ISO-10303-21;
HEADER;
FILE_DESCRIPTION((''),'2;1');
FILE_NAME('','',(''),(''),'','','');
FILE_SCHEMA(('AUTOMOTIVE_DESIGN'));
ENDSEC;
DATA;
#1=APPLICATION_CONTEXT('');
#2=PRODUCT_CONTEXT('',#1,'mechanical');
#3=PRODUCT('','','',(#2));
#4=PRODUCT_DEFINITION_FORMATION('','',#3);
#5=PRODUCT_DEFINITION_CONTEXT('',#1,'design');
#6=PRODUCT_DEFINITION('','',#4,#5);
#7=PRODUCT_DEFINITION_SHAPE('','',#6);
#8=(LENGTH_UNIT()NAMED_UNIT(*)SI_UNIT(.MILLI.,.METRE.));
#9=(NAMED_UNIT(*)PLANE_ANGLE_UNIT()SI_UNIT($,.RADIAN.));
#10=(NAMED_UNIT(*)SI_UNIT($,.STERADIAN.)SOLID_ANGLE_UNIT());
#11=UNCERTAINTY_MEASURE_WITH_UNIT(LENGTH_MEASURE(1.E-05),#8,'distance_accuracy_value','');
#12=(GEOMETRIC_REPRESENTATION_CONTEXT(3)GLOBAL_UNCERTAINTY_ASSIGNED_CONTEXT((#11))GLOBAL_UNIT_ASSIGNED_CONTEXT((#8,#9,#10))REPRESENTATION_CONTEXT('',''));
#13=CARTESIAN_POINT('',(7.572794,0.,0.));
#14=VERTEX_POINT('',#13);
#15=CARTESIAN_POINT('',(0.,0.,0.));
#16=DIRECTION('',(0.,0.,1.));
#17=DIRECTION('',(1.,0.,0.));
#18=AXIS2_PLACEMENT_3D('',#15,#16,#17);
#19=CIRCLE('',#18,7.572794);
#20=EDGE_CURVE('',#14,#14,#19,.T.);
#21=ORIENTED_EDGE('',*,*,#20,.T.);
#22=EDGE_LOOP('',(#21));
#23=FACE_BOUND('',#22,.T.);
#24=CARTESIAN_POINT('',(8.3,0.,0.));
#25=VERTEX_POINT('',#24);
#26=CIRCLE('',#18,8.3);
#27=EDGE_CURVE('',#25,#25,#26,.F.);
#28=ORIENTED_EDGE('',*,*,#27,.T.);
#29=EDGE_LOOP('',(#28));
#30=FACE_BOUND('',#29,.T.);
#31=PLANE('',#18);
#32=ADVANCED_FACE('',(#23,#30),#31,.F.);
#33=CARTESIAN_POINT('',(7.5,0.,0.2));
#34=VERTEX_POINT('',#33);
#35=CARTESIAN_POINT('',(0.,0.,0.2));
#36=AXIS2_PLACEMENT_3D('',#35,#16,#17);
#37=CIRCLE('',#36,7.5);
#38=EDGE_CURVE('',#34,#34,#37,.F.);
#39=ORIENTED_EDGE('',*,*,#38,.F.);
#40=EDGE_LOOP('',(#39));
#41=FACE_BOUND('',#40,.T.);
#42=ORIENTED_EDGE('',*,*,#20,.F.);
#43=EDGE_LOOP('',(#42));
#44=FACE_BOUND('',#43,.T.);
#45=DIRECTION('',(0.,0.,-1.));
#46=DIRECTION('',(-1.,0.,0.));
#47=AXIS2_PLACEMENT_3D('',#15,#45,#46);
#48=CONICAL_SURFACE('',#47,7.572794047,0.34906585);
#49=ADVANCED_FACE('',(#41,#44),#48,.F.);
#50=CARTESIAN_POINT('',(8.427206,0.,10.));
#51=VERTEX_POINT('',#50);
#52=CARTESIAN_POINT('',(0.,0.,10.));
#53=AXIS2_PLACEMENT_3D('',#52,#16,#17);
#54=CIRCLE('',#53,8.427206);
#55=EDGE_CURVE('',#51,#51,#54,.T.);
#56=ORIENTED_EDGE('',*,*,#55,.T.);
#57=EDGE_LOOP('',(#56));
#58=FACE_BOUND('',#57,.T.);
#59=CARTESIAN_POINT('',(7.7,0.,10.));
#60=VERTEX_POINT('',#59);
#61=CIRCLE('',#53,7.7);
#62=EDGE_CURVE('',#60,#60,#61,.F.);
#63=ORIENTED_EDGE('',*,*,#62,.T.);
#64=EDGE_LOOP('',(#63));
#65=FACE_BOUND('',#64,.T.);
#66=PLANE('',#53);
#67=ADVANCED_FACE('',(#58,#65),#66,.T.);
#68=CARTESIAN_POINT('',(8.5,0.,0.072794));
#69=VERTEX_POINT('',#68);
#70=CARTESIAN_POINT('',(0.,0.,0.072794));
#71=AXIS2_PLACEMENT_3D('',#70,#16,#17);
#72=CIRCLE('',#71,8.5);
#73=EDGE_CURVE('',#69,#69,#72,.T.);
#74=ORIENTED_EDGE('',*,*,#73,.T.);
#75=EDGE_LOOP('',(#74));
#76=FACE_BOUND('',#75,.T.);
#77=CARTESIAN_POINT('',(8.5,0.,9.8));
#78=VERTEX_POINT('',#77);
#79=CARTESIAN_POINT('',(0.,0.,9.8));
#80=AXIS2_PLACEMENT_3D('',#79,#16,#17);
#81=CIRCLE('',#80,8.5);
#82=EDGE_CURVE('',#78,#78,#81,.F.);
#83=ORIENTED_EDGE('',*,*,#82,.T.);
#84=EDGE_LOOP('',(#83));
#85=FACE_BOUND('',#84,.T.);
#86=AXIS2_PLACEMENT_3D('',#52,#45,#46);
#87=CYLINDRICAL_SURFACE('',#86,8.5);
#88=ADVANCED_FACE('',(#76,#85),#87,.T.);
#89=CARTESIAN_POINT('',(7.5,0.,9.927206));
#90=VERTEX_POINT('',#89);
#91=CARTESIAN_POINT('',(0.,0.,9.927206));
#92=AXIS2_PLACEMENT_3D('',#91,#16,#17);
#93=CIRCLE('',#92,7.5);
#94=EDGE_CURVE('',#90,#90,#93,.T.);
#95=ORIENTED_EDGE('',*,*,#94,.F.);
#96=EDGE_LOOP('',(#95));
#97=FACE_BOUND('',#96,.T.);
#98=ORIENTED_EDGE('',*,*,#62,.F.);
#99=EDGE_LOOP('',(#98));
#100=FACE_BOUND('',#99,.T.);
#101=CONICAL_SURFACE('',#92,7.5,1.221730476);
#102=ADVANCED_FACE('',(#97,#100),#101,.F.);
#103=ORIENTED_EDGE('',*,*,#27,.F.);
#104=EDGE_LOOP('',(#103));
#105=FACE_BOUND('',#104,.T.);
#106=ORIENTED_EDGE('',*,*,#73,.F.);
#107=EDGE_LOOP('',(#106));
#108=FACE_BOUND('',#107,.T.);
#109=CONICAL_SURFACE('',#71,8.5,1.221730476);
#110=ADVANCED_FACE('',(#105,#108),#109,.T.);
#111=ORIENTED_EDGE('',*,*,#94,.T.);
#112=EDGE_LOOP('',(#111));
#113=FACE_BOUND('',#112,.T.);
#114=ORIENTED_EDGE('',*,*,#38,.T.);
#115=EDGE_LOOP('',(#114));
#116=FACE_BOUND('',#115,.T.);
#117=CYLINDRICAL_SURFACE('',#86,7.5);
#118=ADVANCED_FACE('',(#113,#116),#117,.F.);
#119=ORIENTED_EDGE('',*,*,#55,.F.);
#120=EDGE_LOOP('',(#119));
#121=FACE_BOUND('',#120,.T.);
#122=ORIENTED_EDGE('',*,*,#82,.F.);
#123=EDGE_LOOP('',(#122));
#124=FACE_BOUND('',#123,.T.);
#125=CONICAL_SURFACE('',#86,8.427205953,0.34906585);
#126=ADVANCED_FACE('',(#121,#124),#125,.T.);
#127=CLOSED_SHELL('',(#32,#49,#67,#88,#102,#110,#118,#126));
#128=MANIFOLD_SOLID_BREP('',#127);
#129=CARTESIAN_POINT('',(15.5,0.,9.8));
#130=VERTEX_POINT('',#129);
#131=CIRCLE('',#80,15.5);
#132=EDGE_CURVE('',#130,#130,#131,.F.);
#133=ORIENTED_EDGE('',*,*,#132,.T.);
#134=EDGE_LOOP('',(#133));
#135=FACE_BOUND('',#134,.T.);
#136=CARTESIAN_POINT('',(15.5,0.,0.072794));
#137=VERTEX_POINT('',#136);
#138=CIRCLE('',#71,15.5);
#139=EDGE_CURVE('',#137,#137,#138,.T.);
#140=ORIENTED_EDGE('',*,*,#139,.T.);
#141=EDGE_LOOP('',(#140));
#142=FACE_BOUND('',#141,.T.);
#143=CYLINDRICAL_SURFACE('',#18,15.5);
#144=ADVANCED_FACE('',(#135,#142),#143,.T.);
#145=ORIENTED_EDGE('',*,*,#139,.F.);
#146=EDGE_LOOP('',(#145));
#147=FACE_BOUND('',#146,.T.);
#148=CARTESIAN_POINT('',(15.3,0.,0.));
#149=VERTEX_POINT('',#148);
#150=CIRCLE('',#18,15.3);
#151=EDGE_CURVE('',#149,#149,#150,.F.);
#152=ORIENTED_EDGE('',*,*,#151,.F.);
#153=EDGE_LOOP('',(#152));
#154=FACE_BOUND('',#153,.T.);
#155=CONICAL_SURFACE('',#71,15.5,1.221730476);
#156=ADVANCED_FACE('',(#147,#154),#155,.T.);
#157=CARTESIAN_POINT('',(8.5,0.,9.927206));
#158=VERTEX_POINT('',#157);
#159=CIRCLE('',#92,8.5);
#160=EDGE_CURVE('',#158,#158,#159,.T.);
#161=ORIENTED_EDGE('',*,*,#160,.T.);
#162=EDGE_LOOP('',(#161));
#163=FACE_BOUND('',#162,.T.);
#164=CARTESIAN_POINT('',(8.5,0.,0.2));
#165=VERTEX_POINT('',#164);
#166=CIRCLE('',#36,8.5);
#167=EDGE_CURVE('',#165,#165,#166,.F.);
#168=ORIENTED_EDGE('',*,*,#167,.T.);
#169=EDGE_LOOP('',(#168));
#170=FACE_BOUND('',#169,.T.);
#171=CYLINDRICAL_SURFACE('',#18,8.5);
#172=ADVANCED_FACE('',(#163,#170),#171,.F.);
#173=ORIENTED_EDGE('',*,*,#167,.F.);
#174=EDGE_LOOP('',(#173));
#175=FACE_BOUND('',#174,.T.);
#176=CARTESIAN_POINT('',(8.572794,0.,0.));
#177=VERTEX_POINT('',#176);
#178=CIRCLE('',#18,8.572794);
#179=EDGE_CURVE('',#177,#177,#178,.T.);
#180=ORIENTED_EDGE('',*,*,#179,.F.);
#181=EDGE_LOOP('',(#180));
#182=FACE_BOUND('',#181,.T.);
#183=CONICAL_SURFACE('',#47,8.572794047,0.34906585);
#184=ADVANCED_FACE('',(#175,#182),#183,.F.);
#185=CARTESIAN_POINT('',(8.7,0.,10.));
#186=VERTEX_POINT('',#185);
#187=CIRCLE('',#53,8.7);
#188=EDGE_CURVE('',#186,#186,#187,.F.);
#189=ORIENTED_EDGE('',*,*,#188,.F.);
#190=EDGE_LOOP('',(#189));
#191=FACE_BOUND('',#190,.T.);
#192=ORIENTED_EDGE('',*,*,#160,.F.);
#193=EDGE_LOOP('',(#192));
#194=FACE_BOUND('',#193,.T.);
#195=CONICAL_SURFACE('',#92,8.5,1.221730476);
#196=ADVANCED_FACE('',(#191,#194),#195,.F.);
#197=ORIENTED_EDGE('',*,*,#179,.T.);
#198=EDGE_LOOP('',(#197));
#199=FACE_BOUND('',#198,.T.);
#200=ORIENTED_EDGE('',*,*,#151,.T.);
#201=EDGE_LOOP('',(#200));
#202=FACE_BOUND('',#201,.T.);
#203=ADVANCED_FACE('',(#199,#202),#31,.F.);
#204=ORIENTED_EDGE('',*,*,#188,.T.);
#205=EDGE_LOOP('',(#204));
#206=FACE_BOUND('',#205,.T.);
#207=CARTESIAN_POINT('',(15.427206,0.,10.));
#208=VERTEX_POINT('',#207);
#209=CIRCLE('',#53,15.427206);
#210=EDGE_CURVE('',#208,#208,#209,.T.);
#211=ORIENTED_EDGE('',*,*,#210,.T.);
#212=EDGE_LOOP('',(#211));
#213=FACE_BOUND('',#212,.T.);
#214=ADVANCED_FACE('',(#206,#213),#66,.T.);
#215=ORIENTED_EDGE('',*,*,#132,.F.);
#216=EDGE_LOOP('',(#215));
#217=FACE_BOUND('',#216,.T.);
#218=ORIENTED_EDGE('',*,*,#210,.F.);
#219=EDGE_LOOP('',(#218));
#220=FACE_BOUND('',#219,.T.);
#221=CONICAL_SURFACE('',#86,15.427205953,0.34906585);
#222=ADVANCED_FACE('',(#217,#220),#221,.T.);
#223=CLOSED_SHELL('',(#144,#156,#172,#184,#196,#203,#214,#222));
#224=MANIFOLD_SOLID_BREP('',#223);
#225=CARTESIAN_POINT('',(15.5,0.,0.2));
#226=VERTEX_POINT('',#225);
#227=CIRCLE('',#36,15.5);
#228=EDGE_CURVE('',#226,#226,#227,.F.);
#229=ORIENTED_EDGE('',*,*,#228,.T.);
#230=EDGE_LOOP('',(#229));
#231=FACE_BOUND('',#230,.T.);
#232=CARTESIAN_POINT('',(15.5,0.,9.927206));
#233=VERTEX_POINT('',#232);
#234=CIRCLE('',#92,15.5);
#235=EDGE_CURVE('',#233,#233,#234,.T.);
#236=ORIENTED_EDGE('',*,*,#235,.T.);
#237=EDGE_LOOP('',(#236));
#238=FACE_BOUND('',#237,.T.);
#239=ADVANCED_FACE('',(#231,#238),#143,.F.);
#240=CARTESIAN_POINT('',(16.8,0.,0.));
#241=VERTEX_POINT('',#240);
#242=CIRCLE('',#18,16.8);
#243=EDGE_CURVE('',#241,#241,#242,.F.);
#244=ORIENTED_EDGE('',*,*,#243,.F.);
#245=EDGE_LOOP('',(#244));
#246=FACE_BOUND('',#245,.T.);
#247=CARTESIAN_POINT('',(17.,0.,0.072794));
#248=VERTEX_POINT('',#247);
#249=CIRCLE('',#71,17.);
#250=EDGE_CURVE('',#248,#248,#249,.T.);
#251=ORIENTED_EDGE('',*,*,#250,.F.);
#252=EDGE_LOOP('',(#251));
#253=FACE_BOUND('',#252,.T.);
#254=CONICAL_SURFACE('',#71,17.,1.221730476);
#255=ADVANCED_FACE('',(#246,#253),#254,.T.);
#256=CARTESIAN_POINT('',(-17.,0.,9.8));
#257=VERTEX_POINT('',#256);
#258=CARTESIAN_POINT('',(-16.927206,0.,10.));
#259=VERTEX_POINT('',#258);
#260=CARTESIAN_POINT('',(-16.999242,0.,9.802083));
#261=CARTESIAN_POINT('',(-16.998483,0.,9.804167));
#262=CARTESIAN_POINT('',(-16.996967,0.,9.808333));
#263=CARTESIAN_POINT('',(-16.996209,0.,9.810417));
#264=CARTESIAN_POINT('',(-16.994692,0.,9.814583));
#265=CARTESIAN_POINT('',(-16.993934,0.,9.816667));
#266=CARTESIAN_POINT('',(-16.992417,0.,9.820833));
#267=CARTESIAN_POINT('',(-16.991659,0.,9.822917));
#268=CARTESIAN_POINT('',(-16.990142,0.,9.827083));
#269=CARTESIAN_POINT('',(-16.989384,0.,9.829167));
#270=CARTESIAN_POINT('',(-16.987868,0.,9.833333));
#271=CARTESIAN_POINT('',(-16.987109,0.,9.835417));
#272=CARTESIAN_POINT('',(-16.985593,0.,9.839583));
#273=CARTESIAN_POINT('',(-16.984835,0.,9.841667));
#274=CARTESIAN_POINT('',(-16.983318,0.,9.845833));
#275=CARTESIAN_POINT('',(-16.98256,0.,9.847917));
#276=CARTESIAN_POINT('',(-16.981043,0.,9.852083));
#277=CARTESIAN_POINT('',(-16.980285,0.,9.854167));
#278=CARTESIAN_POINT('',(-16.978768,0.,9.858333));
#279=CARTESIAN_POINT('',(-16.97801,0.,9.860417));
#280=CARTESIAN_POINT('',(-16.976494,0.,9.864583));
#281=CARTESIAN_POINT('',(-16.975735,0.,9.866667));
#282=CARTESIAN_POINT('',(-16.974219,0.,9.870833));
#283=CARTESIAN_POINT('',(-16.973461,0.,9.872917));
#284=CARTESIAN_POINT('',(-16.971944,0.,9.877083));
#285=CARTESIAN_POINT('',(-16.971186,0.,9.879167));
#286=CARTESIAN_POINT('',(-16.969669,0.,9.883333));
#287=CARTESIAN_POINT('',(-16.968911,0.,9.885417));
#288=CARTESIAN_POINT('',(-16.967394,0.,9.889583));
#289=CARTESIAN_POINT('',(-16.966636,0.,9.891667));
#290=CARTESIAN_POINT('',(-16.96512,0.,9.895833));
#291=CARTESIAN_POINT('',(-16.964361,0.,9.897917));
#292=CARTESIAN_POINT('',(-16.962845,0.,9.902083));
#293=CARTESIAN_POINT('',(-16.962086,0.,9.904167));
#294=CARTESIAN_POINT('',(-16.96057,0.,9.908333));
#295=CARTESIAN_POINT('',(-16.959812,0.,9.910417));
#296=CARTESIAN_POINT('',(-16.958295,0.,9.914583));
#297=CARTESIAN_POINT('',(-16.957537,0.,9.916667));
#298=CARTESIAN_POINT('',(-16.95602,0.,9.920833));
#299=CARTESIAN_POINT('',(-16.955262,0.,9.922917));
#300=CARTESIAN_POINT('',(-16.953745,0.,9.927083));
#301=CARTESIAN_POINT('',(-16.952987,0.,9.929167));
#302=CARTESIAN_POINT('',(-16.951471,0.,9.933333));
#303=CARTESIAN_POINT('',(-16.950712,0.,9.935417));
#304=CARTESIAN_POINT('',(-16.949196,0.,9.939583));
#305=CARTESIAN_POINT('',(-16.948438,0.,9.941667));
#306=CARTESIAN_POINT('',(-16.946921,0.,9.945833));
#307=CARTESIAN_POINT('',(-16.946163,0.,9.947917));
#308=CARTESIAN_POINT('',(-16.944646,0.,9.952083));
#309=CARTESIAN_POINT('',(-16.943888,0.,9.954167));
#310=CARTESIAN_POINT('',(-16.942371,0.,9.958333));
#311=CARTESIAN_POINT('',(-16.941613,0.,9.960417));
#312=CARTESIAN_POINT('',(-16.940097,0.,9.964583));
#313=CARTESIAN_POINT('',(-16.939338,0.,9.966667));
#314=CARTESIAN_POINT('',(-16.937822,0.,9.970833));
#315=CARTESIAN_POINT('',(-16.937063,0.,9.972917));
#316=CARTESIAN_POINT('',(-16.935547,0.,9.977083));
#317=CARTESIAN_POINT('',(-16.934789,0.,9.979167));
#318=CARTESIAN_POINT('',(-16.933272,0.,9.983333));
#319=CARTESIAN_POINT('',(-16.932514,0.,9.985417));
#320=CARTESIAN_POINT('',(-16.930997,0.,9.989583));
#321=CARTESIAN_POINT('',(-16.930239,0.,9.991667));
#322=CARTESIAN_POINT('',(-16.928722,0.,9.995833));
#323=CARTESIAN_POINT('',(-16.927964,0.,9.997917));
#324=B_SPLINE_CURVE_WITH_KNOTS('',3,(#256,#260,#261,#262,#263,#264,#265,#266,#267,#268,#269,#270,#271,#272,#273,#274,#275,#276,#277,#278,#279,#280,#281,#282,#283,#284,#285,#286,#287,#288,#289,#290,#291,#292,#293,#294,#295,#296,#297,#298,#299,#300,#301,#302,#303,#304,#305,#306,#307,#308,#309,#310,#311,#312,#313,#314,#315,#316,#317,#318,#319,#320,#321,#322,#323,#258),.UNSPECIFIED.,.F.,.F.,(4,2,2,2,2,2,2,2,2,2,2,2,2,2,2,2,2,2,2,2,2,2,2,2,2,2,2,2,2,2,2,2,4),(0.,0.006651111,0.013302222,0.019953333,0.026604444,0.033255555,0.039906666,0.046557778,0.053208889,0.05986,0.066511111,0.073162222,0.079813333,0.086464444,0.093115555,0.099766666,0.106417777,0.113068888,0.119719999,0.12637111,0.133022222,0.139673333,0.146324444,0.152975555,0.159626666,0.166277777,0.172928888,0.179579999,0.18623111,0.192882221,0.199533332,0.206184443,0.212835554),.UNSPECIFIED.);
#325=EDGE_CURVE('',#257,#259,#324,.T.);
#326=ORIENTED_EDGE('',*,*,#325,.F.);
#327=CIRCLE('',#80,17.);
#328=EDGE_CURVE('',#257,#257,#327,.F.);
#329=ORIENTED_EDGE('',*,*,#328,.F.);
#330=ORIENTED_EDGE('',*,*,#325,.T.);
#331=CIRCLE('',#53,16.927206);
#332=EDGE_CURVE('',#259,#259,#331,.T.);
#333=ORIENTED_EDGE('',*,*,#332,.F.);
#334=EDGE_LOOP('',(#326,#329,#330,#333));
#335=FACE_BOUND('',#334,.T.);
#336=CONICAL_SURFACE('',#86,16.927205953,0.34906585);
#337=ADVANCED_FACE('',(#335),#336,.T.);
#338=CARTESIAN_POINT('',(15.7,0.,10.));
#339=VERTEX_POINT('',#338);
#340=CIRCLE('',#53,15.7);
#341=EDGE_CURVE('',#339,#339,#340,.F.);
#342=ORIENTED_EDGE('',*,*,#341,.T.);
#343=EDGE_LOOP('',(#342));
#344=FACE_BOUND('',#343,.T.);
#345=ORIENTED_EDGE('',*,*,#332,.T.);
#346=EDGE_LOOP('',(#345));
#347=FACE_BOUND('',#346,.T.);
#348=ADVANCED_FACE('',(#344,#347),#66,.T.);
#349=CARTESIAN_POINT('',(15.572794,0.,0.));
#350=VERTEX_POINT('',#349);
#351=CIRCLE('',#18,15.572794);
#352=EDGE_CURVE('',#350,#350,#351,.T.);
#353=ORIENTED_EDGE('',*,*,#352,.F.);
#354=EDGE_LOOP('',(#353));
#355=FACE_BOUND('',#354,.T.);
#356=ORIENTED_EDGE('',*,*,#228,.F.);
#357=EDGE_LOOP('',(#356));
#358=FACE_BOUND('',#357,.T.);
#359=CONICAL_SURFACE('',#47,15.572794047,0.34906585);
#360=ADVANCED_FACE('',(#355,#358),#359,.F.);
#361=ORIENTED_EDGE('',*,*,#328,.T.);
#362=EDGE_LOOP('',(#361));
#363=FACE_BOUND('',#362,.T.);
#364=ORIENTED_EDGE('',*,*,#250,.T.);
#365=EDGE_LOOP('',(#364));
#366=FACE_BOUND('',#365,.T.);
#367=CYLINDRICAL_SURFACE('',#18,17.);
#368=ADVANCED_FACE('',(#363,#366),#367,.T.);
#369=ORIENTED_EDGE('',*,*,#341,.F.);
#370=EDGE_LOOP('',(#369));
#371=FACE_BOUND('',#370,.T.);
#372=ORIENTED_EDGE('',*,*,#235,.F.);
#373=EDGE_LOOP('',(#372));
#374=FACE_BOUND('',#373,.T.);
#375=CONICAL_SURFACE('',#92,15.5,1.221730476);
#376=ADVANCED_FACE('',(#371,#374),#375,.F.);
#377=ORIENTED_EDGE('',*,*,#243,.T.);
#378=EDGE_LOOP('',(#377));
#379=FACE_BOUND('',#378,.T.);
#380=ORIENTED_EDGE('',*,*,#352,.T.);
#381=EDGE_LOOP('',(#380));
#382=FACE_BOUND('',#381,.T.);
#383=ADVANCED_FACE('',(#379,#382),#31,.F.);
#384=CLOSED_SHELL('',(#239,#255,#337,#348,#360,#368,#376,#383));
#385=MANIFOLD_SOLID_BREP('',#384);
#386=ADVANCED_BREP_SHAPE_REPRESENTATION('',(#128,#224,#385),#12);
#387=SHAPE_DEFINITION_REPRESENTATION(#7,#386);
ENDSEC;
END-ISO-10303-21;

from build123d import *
from OCP.BRepFilletAPI import BRepFilletAPI_MakeChamfer

# Parameters (mm, degrees)
SKETCH1_R           = 8.5
SKETCH1_R_2         = 7.5
BOSS_EXTRUDE1_DEPTH = 10
SKETCH2_R           = 15.5
SKETCH2_R_2         = 8.5
BOSS_EXTRUDE2_DEPTH = 10
SKETCH3_R           = 17
SKETCH3_R_2         = 15.5
BOSS_EXTRUDE3_DEPTH = 10
CHAMFER1_SIZE       = 0.2
CHAMFER1_SIZE2      = 0.072794047
CHAMFER2_SIZE       = 0.2
CHAMFER2_SIZE2      = 0.072794047
CHAMFER3_SIZE       = 0.2
CHAMFER3_SIZE2      = 0.072794047


with BuildPart() as part:
    # Sketch1 → Boss-Extrude1 (new body)
    with BuildSketch(Plane.XY):
        Circle(SKETCH1_R)
        Circle(SKETCH1_R_2, mode=Mode.SUBTRACT)
    extrude(amount=BOSS_EXTRUDE1_DEPTH)

    # Chamfer1: one chamfer whose edges measure the first distance from different faces: ONE call of the kernel's chamfer builder (chamfer() names one face for all edges)
    chamfer1_edges_1 = [part.edges().sort_by_distance(p)[0] for p in [
        (-8.5, 0, 0),
    ]]
    chamfer1_side_1 = [part.faces().sort_by_distance(p)[0] for p in [
        (-8.259583694, 0, 0),
    ]]
    chamfer1_edges_2 = [part.edges().sort_by_distance(p)[0] for p in [
        (-8.5, 0, 10),
    ]]
    chamfer1_side_2 = [part.faces().sort_by_distance(p)[0] for p in [
        (-8.5, 0, 5),
    ]]
    chamfer1_edges_3 = [part.edges().sort_by_distance(p)[0] for p in [
        (-7.5, 0, 0),
    ]]
    chamfer1_side_3 = [part.faces().sort_by_distance(p)[0] for p in [
        (-7.5, 0, 5),
    ]]
    chamfer1_edges_4 = [part.edges().sort_by_distance(p)[0] for p in [
        (-7.5, 0, 10),
    ]]
    chamfer1_side_4 = [part.faces().sort_by_distance(p)[0] for p in [
        (-8.259583694, 0, 10),
    ]]
    chamfer1 = BRepFilletAPI_MakeChamfer(part.part.solid().wrapped)
    for e in chamfer1_edges_1:
        chamfer1.Add(CHAMFER1_SIZE, CHAMFER1_SIZE2, e.wrapped, chamfer1_side_1[0].wrapped)  # the first distance lies on this face
    for e in chamfer1_edges_2:
        chamfer1.Add(CHAMFER1_SIZE, CHAMFER1_SIZE2, e.wrapped, chamfer1_side_2[0].wrapped)  # the first distance lies on this face
    for e in chamfer1_edges_3:
        chamfer1.Add(CHAMFER1_SIZE, CHAMFER1_SIZE2, e.wrapped, chamfer1_side_3[0].wrapped)  # the first distance lies on this face
    for e in chamfer1_edges_4:
        chamfer1.Add(CHAMFER1_SIZE, CHAMFER1_SIZE2, e.wrapped, chamfer1_side_4[0].wrapped)  # the first distance lies on this face
    add(Compound.cast(chamfer1.Shape()), mode=Mode.REPLACE)


with BuildPart() as body_2:
    # Sketch2 → Boss-Extrude2 (new body)
    with BuildSketch(Plane.XY.offset(10)):
        Circle(SKETCH2_R)
        Circle(SKETCH2_R_2, mode=Mode.SUBTRACT)
    extrude(amount=-BOSS_EXTRUDE2_DEPTH)

    # Chamfer2: one chamfer whose edges measure the first distance from different faces: ONE call of the kernel's chamfer builder (chamfer() names one face for all edges)
    chamfer2_edges_1 = [body_2.edges().sort_by_distance(p)[0] for p in [
        (-15.5, 0, 10),
    ]]
    chamfer2_side_1 = [body_2.faces().sort_by_distance(p)[0] for p in [
        (-15.5, 0, 5),
    ]]
    chamfer2_edges_2 = [body_2.edges().sort_by_distance(p)[0] for p in [
        (-15.5, 0, 0),
    ]]
    chamfer2_side_2 = [body_2.faces().sort_by_distance(p)[0] for p in [
        (-15.061593796, 0, 0),
    ]]
    chamfer2_edges_3 = [body_2.edges().sort_by_distance(p)[0] for p in [
        (-8.5, 0, 0),
    ]]
    chamfer2_side_3 = [body_2.faces().sort_by_distance(p)[0] for p in [
        (-8.5, 0, 5),
    ]]
    chamfer2_edges_4 = [body_2.edges().sort_by_distance(p)[0] for p in [
        (-8.5, 0, 10),
    ]]
    chamfer2_side_4 = [body_2.faces().sort_by_distance(p)[0] for p in [
        (-15.061593796, 0, 10),
    ]]
    chamfer2 = BRepFilletAPI_MakeChamfer(body_2.part.solid().wrapped)
    for e in chamfer2_edges_1:
        chamfer2.Add(CHAMFER2_SIZE, CHAMFER2_SIZE2, e.wrapped, chamfer2_side_1[0].wrapped)  # the first distance lies on this face
    for e in chamfer2_edges_2:
        chamfer2.Add(CHAMFER2_SIZE, CHAMFER2_SIZE2, e.wrapped, chamfer2_side_2[0].wrapped)  # the first distance lies on this face
    for e in chamfer2_edges_3:
        chamfer2.Add(CHAMFER2_SIZE, CHAMFER2_SIZE2, e.wrapped, chamfer2_side_3[0].wrapped)  # the first distance lies on this face
    for e in chamfer2_edges_4:
        chamfer2.Add(CHAMFER2_SIZE, CHAMFER2_SIZE2, e.wrapped, chamfer2_side_4[0].wrapped)  # the first distance lies on this face
    add(Compound.cast(chamfer2.Shape()), mode=Mode.REPLACE)


with BuildPart() as body_3:
    # Sketch3 → Boss-Extrude3 (new body)
    with BuildSketch(Plane.XY.offset(10)):
        Circle(SKETCH3_R)
        Circle(SKETCH3_R_2, mode=Mode.SUBTRACT)
    extrude(amount=-BOSS_EXTRUDE3_DEPTH)

    # Chamfer3: one chamfer whose edges measure the first distance from different faces: ONE call of the kernel's chamfer builder (chamfer() names one face for all edges)
    chamfer3_edges_1 = [body_3.edges().sort_by_distance(p)[0] for p in [
        (-17, 0, 10),
    ]]
    chamfer3_side_1 = [body_3.faces().sort_by_distance(p)[0] for p in [
        (-17, 0, 5),
    ]]
    chamfer3_edges_2 = [body_3.edges().sort_by_distance(p)[0] for p in [
        (-17, 0, 0),
    ]]
    chamfer3_side_2 = [body_3.faces().sort_by_distance(p)[0] for p in [
        (-16.519167389, 0, 0),
    ]]
    chamfer3_edges_3 = [body_3.edges().sort_by_distance(p)[0] for p in [
        (-15.5, 0, 0),
    ]]
    chamfer3_side_3 = [body_3.faces().sort_by_distance(p)[0] for p in [
        (-15.5, 0, 5),
    ]]
    chamfer3_edges_4 = [body_3.edges().sort_by_distance(p)[0] for p in [
        (-15.5, 0, 10),
    ]]
    chamfer3_side_4 = [body_3.faces().sort_by_distance(p)[0] for p in [
        (-16.519167389, 0, 10),
    ]]
    chamfer3 = BRepFilletAPI_MakeChamfer(body_3.part.solid().wrapped)
    for e in chamfer3_edges_1:
        chamfer3.Add(CHAMFER3_SIZE, CHAMFER3_SIZE2, e.wrapped, chamfer3_side_1[0].wrapped)  # the first distance lies on this face
    for e in chamfer3_edges_2:
        chamfer3.Add(CHAMFER3_SIZE, CHAMFER3_SIZE2, e.wrapped, chamfer3_side_2[0].wrapped)  # the first distance lies on this face
    for e in chamfer3_edges_3:
        chamfer3.Add(CHAMFER3_SIZE, CHAMFER3_SIZE2, e.wrapped, chamfer3_side_3[0].wrapped)  # the first distance lies on this face
    for e in chamfer3_edges_4:
        chamfer3.Add(CHAMFER3_SIZE, CHAMFER3_SIZE2, e.wrapped, chamfer3_side_4[0].wrapped)  # the first distance lies on this face
    add(Compound.cast(chamfer3.Shape()), mode=Mode.REPLACE)


solid = Compound([part.part, body_2.part, body_3.part])
